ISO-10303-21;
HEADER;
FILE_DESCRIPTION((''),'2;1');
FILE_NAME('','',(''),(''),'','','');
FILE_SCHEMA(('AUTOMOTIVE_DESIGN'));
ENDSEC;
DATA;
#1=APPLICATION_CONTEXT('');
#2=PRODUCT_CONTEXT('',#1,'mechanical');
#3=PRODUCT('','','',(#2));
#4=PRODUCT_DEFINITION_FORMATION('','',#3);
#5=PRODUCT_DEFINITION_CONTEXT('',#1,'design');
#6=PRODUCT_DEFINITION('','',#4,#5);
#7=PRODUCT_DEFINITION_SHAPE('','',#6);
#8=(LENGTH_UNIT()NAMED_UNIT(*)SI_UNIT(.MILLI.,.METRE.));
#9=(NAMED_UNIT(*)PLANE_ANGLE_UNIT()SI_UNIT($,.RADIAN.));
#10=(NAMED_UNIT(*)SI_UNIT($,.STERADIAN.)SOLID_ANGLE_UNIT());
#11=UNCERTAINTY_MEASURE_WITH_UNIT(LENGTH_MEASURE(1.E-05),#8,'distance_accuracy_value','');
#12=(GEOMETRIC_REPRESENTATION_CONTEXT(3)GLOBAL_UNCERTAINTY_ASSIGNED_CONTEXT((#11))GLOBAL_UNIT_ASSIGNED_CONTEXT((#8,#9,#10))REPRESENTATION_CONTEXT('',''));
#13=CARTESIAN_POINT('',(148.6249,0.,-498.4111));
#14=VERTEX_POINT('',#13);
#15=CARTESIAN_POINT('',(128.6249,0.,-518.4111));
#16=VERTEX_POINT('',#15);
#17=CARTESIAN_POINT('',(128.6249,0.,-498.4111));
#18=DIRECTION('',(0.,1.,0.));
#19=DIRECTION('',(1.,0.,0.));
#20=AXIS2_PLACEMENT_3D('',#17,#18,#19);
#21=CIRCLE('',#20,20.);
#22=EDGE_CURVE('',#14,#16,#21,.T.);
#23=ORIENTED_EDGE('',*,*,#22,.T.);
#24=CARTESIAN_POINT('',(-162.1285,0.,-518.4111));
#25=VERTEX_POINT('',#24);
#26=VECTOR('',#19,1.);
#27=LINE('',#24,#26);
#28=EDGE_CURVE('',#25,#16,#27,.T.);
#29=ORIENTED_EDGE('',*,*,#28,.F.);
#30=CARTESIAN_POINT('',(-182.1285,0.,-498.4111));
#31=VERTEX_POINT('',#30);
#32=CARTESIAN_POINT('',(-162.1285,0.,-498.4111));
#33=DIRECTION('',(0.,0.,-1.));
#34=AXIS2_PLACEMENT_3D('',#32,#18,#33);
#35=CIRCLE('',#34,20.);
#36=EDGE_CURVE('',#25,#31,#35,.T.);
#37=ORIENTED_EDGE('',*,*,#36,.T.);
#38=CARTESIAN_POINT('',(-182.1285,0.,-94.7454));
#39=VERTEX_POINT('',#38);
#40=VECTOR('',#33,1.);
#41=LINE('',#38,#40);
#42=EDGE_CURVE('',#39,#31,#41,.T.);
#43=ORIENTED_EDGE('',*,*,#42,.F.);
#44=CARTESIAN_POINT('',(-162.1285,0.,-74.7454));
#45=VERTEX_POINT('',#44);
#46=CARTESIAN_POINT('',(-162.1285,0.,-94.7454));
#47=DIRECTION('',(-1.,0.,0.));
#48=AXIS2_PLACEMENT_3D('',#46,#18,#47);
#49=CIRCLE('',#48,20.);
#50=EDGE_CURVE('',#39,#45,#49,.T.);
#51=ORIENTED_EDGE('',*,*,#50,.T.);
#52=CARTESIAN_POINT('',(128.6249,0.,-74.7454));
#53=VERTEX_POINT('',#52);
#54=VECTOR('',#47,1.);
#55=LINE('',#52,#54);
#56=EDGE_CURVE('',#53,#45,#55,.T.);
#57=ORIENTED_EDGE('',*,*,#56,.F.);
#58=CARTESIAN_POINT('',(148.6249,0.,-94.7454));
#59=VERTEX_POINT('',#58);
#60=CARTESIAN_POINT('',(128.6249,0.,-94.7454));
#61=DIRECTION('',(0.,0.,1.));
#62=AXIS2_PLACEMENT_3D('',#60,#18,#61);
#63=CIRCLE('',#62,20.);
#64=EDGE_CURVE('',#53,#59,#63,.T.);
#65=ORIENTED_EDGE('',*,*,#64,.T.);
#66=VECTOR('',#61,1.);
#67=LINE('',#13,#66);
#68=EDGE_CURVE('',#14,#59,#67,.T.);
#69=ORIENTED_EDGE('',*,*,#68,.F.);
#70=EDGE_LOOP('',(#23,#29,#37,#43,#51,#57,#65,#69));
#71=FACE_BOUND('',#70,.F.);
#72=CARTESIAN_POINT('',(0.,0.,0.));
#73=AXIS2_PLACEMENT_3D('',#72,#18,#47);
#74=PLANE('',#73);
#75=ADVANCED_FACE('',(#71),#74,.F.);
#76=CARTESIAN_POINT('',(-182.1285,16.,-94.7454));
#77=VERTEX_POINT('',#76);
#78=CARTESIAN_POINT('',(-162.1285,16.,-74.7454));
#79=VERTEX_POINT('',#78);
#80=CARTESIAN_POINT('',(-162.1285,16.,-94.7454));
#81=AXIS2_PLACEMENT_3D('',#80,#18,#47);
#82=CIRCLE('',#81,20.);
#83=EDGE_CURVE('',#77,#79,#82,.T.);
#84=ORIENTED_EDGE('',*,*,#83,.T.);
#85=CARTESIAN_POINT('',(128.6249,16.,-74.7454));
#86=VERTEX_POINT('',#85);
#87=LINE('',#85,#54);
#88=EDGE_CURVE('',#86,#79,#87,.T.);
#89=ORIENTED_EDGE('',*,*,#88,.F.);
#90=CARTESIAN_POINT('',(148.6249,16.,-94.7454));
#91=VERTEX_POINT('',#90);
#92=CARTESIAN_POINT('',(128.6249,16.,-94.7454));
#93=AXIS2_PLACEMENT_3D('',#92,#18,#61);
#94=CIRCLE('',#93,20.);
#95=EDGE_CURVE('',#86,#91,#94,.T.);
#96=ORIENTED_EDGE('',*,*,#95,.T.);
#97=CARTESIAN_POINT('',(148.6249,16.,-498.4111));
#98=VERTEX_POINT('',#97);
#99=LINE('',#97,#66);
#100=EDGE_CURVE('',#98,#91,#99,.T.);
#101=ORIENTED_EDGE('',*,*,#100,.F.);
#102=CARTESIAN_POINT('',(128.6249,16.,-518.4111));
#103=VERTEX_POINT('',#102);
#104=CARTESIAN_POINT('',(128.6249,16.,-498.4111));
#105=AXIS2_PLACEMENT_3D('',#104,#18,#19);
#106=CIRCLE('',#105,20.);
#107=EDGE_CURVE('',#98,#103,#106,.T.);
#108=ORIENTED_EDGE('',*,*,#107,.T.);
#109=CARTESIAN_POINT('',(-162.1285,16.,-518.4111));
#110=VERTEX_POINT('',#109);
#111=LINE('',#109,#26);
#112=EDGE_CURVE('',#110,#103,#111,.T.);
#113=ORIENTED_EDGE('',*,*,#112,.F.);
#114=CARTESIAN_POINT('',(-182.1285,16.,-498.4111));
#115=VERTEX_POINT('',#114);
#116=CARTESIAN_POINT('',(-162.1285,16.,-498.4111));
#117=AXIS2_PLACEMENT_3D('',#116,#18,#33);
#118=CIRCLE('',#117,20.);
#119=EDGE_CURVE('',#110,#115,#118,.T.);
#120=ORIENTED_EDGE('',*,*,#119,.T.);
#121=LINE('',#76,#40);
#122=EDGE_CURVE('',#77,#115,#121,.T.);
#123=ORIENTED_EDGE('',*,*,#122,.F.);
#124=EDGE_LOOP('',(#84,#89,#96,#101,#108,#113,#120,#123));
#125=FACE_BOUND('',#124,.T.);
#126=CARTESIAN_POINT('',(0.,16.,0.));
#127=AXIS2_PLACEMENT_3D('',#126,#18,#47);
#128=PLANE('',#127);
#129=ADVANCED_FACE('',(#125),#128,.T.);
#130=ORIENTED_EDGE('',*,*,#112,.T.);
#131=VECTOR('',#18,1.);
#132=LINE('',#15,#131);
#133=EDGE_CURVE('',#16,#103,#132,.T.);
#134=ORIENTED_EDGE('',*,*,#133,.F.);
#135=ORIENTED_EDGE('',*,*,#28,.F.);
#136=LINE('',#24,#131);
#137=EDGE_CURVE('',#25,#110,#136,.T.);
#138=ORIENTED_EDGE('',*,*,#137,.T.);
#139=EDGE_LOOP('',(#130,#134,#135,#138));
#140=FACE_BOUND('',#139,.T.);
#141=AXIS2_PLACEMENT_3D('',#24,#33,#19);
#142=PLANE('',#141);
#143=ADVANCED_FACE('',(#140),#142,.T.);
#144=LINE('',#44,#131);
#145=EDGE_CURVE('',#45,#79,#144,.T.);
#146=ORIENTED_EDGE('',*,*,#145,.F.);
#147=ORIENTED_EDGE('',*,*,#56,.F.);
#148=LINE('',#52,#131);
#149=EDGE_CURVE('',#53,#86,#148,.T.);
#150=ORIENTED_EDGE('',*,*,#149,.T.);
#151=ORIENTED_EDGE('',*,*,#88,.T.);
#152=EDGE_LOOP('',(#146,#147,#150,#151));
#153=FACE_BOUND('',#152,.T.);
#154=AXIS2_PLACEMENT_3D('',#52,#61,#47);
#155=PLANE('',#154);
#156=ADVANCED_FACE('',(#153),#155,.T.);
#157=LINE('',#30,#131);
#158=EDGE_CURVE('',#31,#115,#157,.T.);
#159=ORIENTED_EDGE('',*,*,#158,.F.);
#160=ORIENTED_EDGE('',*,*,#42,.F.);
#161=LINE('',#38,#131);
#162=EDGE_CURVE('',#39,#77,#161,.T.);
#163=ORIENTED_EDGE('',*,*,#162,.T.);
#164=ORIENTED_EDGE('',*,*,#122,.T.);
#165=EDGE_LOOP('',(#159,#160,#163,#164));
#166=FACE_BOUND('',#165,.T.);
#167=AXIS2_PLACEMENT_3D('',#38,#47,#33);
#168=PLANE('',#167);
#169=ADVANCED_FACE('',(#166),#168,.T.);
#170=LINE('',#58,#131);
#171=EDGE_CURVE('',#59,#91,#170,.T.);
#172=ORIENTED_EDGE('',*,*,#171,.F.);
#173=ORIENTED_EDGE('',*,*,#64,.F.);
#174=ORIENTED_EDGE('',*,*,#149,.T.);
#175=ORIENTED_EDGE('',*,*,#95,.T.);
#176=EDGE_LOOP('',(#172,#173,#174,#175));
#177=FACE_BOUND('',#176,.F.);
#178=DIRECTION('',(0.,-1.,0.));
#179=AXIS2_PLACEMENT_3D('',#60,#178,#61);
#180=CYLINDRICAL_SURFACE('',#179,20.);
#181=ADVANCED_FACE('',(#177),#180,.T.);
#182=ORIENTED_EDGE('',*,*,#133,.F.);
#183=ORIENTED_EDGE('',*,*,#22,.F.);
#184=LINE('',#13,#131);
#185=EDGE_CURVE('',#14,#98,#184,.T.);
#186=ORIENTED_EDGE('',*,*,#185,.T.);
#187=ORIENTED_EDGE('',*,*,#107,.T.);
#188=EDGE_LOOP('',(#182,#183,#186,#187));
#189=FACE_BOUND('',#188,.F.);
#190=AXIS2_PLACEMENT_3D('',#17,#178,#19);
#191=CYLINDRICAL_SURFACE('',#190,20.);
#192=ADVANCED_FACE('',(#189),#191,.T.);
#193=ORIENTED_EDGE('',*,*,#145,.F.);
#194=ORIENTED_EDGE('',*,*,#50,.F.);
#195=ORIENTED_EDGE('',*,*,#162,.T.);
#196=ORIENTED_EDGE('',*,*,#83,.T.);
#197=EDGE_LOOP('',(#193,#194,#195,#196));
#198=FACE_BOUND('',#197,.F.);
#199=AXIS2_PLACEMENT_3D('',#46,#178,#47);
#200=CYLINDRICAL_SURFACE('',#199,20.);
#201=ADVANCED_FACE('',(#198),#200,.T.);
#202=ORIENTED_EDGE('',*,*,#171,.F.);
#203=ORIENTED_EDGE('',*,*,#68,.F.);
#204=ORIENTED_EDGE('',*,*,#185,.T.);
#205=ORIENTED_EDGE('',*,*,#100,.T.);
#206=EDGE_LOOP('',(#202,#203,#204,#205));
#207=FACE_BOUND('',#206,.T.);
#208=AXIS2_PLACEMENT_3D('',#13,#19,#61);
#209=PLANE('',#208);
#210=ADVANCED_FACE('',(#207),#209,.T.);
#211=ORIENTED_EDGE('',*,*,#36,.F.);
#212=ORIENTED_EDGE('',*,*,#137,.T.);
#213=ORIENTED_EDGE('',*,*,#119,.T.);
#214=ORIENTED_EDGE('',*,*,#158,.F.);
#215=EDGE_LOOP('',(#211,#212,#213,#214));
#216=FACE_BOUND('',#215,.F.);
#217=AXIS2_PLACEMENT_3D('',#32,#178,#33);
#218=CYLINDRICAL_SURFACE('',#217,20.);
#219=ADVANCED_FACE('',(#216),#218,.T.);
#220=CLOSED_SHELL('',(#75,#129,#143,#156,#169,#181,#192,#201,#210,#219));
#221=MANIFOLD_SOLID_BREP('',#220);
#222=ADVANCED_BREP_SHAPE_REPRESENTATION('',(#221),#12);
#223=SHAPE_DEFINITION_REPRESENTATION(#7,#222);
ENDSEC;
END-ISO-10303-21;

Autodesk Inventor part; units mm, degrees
ref_plane "YZ Plane" through (0, 0, 0) normal (1, 0, 0) x (0, 1, 0)
ref_plane "XZ Plane" through (0, 0, 0) normal (0, 1, 0) x (-1, 0, 0)
ref_plane "XY Plane" through (0, 0, 0) normal (0, 0, 1) x (1, 0, 0)
sketch "Эскиз1" plane through (0, 0, 0) normal (0, 1, 0) x (-1, 0, 0)
  line L0 (-128.6249, -74.7454) -> (162.1285, -74.7454)
  line L1 (182.1285, -94.7454) -> (182.1285, -498.4111)
  line L2 (162.1285, -518.4111) -> (-128.6249, -518.4111)
  line L3 (-148.6249, -498.4111) -> (-148.6249, -94.7454)
  arc A0 (182.1285, -76.7454) -> (180.1285, -74.7454) centre (180.1285, -76.7454) ccw
  arc A1 (182.1285, -94.7454) -> (162.1285, -74.7454) centre (162.1285, -94.7454) ccw
  arc A2 (-128.6249, -74.7454) -> (-148.6249, -94.7454) centre (-128.6249, -94.7454) ccw
  arc A3 (-148.6249, -498.4111) -> (-128.6249, -518.4111) centre (-128.6249, -498.4111) ccw
  arc A4 (162.1285, -518.4111) -> (182.1285, -498.4111) centre (162.1285, -498.4111) ccw
  dimension "d0" = 2
  dimension "d1" = 20
extrude "Выдавливание1" add sketch "Эскиз1" along normal blind 16
properties part number "Stand_plate"
